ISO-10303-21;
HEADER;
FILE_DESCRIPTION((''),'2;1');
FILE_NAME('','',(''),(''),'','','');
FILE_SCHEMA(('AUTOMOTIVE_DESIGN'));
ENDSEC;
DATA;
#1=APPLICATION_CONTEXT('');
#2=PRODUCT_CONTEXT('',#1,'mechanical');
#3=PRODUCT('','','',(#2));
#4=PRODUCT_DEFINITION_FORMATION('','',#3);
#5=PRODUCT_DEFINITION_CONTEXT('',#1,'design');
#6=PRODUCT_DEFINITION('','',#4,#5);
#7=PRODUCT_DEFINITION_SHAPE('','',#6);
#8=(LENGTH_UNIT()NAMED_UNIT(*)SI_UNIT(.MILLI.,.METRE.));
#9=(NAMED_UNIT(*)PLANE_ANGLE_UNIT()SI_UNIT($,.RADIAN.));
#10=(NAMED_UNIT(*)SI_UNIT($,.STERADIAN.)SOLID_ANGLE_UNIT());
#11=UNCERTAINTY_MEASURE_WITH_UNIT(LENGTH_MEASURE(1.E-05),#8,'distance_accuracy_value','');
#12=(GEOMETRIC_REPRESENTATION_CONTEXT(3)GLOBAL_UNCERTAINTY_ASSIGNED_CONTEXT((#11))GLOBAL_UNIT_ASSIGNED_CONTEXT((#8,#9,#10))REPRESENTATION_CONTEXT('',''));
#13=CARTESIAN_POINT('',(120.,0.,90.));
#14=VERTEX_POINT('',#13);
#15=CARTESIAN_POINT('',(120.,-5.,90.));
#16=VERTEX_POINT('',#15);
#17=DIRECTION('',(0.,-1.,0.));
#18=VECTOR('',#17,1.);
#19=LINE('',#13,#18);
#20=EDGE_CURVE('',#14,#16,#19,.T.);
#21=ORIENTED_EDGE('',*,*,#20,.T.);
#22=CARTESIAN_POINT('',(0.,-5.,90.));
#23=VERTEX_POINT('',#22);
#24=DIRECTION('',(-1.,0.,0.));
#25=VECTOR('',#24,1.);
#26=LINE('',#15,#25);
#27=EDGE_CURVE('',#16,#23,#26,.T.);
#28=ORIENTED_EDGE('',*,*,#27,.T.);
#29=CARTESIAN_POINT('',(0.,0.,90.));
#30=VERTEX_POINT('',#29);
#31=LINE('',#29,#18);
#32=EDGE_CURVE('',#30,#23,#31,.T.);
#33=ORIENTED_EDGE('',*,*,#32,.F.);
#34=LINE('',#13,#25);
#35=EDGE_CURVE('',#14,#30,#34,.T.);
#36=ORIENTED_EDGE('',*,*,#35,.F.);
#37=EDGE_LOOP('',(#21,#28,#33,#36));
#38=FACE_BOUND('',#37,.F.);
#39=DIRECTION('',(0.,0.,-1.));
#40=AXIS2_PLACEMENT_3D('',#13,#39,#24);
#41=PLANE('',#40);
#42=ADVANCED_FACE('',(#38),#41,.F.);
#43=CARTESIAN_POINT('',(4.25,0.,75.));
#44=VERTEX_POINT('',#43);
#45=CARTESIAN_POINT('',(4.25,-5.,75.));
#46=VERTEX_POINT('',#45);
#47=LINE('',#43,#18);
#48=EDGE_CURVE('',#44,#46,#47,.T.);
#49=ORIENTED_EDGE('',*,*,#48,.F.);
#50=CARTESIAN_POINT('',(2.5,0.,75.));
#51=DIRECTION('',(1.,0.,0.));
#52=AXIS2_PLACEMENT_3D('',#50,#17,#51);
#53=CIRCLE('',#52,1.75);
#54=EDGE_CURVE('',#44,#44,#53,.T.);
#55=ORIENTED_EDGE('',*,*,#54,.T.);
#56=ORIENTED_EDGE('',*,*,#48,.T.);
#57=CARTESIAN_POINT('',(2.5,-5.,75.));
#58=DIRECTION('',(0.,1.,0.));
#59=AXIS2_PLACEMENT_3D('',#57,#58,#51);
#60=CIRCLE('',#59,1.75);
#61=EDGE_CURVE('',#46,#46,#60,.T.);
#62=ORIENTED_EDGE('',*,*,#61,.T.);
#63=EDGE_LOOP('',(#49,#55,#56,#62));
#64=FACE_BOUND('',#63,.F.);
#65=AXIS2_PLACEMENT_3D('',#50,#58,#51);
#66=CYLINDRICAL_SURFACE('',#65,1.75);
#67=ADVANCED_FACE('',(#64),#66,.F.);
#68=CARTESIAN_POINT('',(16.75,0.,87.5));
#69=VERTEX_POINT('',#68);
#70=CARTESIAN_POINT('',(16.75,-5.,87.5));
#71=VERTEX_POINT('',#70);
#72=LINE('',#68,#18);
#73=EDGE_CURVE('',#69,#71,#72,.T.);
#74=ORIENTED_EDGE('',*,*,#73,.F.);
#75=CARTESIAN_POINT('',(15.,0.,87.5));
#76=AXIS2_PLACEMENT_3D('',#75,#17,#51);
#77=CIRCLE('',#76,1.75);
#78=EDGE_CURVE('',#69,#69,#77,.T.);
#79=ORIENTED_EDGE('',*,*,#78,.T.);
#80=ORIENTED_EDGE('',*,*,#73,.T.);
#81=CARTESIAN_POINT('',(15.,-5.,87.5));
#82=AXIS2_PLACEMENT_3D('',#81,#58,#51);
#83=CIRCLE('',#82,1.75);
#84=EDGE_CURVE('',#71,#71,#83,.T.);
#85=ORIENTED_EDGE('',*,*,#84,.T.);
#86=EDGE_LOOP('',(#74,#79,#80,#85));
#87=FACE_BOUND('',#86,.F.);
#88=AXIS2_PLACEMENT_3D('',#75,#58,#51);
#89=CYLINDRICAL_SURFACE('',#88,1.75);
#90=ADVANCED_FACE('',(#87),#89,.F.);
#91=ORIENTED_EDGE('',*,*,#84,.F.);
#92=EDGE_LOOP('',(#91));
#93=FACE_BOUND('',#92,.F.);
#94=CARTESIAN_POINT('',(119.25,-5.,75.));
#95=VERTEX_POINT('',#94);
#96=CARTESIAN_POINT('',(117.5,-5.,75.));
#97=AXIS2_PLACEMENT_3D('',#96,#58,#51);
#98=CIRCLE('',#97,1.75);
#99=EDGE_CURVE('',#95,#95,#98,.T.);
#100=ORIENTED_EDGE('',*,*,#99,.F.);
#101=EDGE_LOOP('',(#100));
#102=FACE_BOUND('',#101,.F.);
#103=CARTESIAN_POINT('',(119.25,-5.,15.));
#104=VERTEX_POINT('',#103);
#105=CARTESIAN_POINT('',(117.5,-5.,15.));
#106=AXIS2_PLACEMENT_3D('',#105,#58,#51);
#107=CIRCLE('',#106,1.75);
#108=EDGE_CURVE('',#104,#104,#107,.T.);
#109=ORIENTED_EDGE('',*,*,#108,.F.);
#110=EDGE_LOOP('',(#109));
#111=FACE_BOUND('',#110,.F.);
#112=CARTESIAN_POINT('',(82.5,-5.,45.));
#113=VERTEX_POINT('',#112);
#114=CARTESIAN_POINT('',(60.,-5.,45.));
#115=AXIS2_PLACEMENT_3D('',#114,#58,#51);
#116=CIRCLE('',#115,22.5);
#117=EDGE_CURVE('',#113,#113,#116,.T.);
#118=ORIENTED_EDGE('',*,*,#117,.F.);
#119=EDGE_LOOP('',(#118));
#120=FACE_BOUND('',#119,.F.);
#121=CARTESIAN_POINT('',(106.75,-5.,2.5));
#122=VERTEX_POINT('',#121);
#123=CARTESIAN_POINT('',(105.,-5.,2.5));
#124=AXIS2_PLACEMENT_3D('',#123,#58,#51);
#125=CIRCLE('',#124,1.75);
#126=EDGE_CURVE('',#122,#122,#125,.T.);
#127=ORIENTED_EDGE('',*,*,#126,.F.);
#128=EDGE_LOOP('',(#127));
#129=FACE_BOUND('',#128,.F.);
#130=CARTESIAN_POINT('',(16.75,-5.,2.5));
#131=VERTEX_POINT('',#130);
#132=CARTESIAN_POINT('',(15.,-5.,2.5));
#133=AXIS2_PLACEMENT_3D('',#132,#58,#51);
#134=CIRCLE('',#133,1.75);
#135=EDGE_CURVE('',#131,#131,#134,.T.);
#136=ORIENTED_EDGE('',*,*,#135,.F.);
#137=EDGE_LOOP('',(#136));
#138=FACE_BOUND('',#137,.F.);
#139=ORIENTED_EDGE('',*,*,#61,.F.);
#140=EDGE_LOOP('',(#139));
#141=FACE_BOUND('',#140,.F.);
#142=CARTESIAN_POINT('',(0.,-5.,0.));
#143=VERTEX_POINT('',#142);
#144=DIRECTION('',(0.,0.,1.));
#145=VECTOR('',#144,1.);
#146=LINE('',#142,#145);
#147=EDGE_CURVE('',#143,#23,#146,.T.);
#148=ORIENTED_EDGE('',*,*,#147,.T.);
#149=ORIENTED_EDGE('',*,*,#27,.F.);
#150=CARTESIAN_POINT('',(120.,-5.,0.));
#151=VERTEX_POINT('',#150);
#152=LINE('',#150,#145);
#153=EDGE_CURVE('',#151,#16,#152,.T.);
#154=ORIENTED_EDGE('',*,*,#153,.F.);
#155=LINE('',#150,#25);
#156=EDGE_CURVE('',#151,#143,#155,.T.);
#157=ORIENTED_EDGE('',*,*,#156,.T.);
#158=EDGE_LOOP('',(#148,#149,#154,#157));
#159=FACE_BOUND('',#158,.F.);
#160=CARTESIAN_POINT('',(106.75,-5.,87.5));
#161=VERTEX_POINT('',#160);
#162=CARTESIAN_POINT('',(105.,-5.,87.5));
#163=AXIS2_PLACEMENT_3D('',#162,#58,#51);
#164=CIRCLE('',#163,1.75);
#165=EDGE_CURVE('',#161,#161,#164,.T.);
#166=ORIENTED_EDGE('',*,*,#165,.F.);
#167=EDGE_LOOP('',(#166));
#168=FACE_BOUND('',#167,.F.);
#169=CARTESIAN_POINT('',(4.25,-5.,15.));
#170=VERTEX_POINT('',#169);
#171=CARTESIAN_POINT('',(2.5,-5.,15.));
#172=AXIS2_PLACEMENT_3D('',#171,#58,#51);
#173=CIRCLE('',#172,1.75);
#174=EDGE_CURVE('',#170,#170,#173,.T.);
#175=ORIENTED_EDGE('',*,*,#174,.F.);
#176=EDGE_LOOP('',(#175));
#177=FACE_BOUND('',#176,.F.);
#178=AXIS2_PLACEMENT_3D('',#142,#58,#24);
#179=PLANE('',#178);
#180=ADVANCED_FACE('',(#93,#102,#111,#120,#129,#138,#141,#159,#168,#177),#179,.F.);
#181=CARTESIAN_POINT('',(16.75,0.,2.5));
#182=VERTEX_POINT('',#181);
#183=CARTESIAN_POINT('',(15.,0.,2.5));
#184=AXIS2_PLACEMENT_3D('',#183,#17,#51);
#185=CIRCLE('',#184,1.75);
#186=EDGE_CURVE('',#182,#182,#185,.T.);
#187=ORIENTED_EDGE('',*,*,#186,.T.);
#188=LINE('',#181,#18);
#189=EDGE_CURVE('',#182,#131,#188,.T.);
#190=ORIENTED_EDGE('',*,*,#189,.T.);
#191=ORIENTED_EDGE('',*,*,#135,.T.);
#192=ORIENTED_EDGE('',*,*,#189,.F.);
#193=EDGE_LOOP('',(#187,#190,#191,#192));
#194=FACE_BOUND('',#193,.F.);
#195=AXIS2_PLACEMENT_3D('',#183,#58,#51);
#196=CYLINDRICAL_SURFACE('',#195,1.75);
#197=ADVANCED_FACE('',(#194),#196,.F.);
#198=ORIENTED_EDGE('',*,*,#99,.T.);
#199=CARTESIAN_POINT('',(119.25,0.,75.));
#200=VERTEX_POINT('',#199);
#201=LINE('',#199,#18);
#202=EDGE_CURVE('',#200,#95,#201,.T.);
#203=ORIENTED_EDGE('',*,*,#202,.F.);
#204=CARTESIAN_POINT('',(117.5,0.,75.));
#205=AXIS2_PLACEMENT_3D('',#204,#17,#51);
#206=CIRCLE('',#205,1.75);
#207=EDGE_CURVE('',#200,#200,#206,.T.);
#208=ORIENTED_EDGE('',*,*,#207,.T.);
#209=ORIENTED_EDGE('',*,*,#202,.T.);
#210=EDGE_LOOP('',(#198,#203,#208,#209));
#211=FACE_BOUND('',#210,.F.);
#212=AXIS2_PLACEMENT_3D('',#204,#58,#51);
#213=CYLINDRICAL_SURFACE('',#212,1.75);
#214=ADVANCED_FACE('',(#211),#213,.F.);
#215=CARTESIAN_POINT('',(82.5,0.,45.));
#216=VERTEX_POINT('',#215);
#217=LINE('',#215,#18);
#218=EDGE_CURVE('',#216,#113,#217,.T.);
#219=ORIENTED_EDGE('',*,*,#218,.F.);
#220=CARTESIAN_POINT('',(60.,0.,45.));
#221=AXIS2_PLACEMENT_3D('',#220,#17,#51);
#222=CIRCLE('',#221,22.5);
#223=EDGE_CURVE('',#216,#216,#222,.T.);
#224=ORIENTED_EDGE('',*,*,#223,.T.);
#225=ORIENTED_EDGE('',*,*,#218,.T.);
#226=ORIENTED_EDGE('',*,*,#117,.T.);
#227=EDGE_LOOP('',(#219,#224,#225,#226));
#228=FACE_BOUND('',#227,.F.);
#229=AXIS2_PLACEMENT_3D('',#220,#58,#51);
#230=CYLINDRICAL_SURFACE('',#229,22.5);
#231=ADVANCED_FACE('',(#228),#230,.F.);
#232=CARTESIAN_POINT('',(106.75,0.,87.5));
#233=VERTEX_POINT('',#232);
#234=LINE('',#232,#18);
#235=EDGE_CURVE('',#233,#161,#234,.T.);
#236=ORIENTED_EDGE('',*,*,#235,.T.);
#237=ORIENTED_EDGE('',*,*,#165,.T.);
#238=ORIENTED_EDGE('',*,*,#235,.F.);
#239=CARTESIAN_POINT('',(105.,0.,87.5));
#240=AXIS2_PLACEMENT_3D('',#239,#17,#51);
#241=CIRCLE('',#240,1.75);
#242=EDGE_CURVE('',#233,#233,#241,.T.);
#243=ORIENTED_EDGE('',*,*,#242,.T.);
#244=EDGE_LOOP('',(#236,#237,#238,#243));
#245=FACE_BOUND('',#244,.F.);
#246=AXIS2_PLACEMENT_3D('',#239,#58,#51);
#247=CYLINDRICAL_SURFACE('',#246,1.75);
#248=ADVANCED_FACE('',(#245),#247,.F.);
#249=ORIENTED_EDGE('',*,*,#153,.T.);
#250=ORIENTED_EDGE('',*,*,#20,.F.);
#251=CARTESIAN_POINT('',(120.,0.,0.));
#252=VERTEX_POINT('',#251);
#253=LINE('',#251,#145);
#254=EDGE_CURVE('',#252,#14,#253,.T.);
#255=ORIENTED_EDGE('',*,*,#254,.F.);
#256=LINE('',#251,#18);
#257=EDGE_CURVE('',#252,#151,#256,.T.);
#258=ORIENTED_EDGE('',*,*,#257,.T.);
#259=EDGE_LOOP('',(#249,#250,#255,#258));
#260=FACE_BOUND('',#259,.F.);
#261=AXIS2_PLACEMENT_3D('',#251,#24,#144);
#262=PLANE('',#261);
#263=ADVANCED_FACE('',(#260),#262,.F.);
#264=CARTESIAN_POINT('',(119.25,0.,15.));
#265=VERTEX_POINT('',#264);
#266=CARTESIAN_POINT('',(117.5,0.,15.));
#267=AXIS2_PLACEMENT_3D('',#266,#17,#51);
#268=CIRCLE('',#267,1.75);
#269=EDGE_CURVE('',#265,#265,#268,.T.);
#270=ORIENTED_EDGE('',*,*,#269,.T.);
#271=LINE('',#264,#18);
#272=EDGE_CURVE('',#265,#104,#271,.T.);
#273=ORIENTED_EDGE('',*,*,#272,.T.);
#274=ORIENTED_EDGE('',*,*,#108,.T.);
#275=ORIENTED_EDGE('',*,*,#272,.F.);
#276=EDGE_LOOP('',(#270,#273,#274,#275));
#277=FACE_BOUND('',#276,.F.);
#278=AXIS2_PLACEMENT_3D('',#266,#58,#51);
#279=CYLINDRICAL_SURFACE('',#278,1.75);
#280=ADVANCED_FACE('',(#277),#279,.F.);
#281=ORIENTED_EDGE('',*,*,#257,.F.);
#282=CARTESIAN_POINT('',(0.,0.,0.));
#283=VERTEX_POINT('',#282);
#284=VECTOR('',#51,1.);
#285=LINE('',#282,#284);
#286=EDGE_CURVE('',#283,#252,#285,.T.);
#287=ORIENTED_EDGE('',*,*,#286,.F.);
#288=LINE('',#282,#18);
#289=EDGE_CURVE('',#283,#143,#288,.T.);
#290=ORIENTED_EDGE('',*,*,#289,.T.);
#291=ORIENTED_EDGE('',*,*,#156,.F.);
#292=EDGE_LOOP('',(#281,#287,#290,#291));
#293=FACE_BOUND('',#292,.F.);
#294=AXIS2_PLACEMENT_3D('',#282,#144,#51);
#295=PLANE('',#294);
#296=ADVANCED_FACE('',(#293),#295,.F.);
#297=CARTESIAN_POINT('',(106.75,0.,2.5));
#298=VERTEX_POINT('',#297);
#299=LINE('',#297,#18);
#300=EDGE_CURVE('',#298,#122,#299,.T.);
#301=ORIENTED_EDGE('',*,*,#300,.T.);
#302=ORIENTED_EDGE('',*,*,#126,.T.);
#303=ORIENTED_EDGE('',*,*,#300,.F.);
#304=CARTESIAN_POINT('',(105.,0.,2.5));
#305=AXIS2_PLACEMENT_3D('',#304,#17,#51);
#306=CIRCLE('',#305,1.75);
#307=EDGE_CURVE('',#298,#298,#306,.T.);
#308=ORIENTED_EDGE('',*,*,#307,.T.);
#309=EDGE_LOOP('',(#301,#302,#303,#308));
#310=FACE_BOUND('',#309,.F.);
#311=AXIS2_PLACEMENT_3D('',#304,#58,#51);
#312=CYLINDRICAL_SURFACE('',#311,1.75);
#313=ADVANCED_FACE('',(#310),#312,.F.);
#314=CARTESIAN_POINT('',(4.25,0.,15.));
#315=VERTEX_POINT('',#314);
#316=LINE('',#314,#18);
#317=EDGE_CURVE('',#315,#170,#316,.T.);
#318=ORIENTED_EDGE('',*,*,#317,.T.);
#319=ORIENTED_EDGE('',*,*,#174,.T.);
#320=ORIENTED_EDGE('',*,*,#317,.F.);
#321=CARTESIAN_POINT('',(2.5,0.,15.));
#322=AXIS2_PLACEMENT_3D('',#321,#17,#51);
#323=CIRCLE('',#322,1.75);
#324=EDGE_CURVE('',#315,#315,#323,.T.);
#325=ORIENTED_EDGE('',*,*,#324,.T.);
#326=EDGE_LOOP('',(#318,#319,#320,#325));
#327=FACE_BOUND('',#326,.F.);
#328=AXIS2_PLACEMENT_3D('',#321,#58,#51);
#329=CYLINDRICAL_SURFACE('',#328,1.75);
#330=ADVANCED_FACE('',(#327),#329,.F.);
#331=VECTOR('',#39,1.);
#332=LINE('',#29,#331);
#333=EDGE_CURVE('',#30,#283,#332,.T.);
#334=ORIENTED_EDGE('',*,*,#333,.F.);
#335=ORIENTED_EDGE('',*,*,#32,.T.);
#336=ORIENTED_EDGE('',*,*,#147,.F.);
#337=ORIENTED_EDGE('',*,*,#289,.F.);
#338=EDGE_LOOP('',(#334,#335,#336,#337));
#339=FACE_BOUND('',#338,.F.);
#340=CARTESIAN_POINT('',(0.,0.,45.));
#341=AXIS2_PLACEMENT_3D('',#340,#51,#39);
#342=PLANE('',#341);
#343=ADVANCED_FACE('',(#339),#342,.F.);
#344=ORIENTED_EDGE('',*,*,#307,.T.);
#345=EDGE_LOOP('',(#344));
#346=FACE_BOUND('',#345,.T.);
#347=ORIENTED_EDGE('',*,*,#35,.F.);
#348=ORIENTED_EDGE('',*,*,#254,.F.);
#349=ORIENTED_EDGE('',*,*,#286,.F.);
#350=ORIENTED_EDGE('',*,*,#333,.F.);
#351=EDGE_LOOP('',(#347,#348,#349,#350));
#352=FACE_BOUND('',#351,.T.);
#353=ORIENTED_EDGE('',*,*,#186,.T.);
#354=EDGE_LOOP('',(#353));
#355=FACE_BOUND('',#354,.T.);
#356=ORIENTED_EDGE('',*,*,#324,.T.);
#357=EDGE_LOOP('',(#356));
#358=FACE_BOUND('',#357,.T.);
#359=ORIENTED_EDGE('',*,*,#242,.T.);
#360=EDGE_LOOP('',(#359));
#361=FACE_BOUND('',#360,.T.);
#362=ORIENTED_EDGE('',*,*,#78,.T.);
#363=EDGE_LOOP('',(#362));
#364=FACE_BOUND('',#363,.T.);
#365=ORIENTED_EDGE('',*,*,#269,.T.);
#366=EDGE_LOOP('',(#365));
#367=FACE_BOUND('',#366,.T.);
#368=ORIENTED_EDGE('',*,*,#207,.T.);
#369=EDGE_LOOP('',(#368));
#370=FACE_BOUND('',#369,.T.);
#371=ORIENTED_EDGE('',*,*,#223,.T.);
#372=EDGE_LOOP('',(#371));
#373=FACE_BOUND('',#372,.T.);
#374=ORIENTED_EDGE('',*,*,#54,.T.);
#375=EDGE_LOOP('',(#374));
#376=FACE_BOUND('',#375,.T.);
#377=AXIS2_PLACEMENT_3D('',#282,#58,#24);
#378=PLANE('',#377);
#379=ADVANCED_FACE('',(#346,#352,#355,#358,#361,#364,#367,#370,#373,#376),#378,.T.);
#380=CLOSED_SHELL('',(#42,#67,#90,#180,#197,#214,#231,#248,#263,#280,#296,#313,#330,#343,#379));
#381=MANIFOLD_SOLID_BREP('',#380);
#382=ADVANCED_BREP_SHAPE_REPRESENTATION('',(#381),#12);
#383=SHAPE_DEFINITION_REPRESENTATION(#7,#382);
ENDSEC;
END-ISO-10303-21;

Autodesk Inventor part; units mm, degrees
ref_plane "YZ Plane" through (0, 0, 0) normal (1, 0, 0) x (0, 1, 0)
ref_plane "XZ Plane" through (0, 0, 0) normal (0, 1, 0) x (-1, 0, 0)
ref_plane "XY Plane" through (0, 0, 0) normal (0, 0, 1) x (1, 0, 0)
sketch "Sketch1" plane through (0, 0, 0) normal (0, 1, 0) x (-1, 0, 0)
  line L0 (0, 0) -> (-120, 0)
  line L1 (-120, 0) -> (-120, 90)
  line L2 (-120, 90) -> (0, 90)
  line L3 (0, 90) -> (0, 0)
  line L4 (0, 0) -> (-60, 0)
  line L5 (-60, 0) -> (-60, 45)
  line L6 (-60, 45) -> (0, 45)
  line L7 (0, 45) -> (0, 0)
  circle A0 centre (-60, 45) radius 22.5
  dimension "d0" = 120
  dimension "d1" = 90
  dimension "d2" = 60
  dimension "d3" = 45
  dimension "d4" = 45
extrude "Extrusion1" add sketch "Sketch1" against normal blind 5
sketch "Sketch2" plane through (0, 0, 0) normal (0, 1, 0) x (1, 0, 0)
  line L0 (0, -90) -> (0, 0) projected
  line L1 (0, 0) -> (60, 0)
  line L2 (60, 0) -> (60, -45)
  line L3 (60, -45) -> (0, -45)
  line L4 (0, -45) -> (0, 0)
  circle A0 centre (60, -45) radius 22.5
  dimension "d7" = 60
  dimension "d8" = 45
  dimension "d9" = 45
extrude "Extrusion2" cut sketch "Sketch2" against normal blind 5 contours A0 L2 L3 | L3 L2 A0
sketch "Sketch3" plane through (0, 0, 0) normal (0, 1, 0) x (1, 0, 0)
  line L0 (0, 0) -> (120, 0) projected
  line L1 (0, 0) -> (15, 0)
  line L2 (15, 0) -> (15, -2.5)
  line L3 (15, -2.5) -> (0, -2.5)
  line L4 (0, -2.5) -> (0, 0)
  circle A0 centre (15, -2.5) radius 1.75
  dimension "d12" = 15
  dimension "d13" = 2.5
  dimension "d14" = 3.5
extrude "Extrusion3" cut sketch "Sketch3" against normal blind 5 contours A0 L3 L2 | L2 L3 A0
sketch "Sketch4" plane through (0, 0, 0) normal (0, 1, 0) x (1, 0, 0)
  line L0 (120, -90) -> (0, -90) projected
  line L1 (0, -90) -> (15, -90)
  line L2 (15, -90) -> (15, -87.5)
  line L3 (15, -87.5) -> (0, -87.5)
  line L4 (0, -87.5) -> (0, -90)
  circle A0 centre (15, -87.5) radius 1.75
  point P0 (0, 0)
  dimension "d17" = 15
  dimension "d18" = 2.5
  dimension "d19" = 3.5
extrude "Extrusion4" cut sketch "Sketch4" against normal blind 5 contours A0 L3 L2 | L2 L3 A0
sketch "Sketch5" plane through (0, 0, 0) normal (0, 1, 0) x (1, 0, 0)
  line L0 (120, 0) -> (120, -90) projected
  line L1 (120, 0) -> (105, 0)
  line L2 (105, 0) -> (105, -2.5)
  line L3 (105, -2.5) -> (120, -2.5)
  line L4 (120, -2.5) -> (120, 0)
  circle A0 centre (105, -2.5) radius 1.75
  point P0 (0, 0)
  dimension "d22" = 15
  dimension "d23" = 2.5
  dimension "d32" = 3.5
extrude "Extrusion5" [suppressed]
sketch "Sketch6" plane through (0, 0, 0) normal (0, 1, 0) x (1, 0, 0)
  line L0 (120, 0) -> (120, -90) projected
  line L1 (120, -90) -> (105, -90)
  line L2 (105, -90) -> (105, -87.5)
  line L3 (105, -87.5) -> (120, -87.5)
  line L4 (120, -87.5) -> (120, -90)
  circle A0 centre (105, -87.5) radius 1.75
  point P0 (0, 0)
  dimension "d27" = 15
  dimension "d28" = 2.5
  dimension "d29" = 3.5
extrude "Extrusion6" cut sketch "Sketch6" against normal blind 5 contours A0 L2 L3 | L3 L2 A0
sketch "Sketch7" plane through (0, 0, 0) normal (0, 1, 0) x (1, 0, 0)
  line L0 (0, 0) -> (120, 0) projected
  line L1 (120, 0) -> (105, 0)
  line L2 (105, 0) -> (105, -2.5)
  line L3 (105, -2.5) -> (120, -2.5)
  line L4 (120, -2.5) -> (120, 0)
  circle A0 centre (105, -2.5) radius 1.75
  dimension "d33" = 15
  dimension "d34" = 2.5
  dimension "d35" = 3.5
extrude "Extrusion7" cut sketch "Sketch7" against normal blind 5 contours A0 L3 L2 | L2 L3 A0
sketch "Sketch8" plane through (0, 0, 0) normal (0, 1, 0) x (1, 0, 0)
  line L0 (0, 0) -> (2.5, 0)
  line L1 (2.5, 0) -> (2.5, -15)
  line L2 (2.5, -15) -> (0, -15)
  line L3 (0, -15) -> (0, 0)
  circle A0 centre (2.5, -15) radius 1.75
  dimension "d38" = 2.5
  dimension "d39" = 15
  dimension "d40" = 3.5
extrude "Extrusion8" cut sketch "Sketch8" against normal blind 10 contours A0 L2 L1 | L1 L2 A0
sketch "Sketch9" plane through (0, 0, 0) normal (0, 1, 0) x (1, 0, 0)
  line L0 (0, -90) -> (2.5, -90)
  line L1 (2.5, -90) -> (2.5, -75)
  line L2 (2.5, -75) -> (0, -75)
  line L3 (0, -75) -> (0, -90)
  circle A0 centre (2.5, -75) radius 1.75
  point P0 (0, 0)
  dimension "d43" = 2.5
  dimension "d44" = 15
  dimension "d45" = 3.5
extrude "Extrusion9" cut sketch "Sketch9" against normal blind 10 contours A0 L2 L1 | L1 L2 A0
sketch "Sketch10" plane through (0, 0, 0) normal (0, 1, 0) x (1, 0, 0)
  line L0 (120, 0) -> (120, -90) projected
  point P0 (0, 0)
sketch "Sketch11" plane through (0, 0, 0) normal (0, 1, 0) x (1, 0, 0)
  line L0 (120, 0) -> (120, -90) projected
  line L1 (120, 0) -> (117.5, 0)
  line L2 (117.5, 0) -> (117.5, -15)
  line L3 (117.5, -15) -> (120, -15)
  line L4 (120, -15) -> (120, 0)
  circle A0 centre (117.5, -15) radius 1.75
  point P0 (0, 0)
  dimension "d50" = 2.5
  dimension "d51" = 15
  dimension "d52" = 3.5
extrude "Extrusion10" cut sketch "Sketch11" against normal blind 10 contours A0 L2 L3 | L3 L2 A0
sketch "Sketch12" plane through (0, 0, 0) normal (0, 1, 0) x (1, 0, 0)
  line L0 (120, -90) -> (0, -90) projected
  line L1 (120, -90) -> (117.5, -90)
  line L2 (117.5, -90) -> (117.5, -75)
  line L3 (117.5, -75) -> (120, -75)
  line L4 (120, -75) -> (120, -90)
  circle A0 centre (117.5, -75) radius 1.75
  point P0 (0, 0)
  dimension "d55" = 2.5
  dimension "d56" = 15
  dimension "d57" = 3.5
extrude "Extrusion11" cut sketch "Sketch12" against normal blind 10 contours A0 L3 L2 | L2 L3 A0
properties part number "expo2"
